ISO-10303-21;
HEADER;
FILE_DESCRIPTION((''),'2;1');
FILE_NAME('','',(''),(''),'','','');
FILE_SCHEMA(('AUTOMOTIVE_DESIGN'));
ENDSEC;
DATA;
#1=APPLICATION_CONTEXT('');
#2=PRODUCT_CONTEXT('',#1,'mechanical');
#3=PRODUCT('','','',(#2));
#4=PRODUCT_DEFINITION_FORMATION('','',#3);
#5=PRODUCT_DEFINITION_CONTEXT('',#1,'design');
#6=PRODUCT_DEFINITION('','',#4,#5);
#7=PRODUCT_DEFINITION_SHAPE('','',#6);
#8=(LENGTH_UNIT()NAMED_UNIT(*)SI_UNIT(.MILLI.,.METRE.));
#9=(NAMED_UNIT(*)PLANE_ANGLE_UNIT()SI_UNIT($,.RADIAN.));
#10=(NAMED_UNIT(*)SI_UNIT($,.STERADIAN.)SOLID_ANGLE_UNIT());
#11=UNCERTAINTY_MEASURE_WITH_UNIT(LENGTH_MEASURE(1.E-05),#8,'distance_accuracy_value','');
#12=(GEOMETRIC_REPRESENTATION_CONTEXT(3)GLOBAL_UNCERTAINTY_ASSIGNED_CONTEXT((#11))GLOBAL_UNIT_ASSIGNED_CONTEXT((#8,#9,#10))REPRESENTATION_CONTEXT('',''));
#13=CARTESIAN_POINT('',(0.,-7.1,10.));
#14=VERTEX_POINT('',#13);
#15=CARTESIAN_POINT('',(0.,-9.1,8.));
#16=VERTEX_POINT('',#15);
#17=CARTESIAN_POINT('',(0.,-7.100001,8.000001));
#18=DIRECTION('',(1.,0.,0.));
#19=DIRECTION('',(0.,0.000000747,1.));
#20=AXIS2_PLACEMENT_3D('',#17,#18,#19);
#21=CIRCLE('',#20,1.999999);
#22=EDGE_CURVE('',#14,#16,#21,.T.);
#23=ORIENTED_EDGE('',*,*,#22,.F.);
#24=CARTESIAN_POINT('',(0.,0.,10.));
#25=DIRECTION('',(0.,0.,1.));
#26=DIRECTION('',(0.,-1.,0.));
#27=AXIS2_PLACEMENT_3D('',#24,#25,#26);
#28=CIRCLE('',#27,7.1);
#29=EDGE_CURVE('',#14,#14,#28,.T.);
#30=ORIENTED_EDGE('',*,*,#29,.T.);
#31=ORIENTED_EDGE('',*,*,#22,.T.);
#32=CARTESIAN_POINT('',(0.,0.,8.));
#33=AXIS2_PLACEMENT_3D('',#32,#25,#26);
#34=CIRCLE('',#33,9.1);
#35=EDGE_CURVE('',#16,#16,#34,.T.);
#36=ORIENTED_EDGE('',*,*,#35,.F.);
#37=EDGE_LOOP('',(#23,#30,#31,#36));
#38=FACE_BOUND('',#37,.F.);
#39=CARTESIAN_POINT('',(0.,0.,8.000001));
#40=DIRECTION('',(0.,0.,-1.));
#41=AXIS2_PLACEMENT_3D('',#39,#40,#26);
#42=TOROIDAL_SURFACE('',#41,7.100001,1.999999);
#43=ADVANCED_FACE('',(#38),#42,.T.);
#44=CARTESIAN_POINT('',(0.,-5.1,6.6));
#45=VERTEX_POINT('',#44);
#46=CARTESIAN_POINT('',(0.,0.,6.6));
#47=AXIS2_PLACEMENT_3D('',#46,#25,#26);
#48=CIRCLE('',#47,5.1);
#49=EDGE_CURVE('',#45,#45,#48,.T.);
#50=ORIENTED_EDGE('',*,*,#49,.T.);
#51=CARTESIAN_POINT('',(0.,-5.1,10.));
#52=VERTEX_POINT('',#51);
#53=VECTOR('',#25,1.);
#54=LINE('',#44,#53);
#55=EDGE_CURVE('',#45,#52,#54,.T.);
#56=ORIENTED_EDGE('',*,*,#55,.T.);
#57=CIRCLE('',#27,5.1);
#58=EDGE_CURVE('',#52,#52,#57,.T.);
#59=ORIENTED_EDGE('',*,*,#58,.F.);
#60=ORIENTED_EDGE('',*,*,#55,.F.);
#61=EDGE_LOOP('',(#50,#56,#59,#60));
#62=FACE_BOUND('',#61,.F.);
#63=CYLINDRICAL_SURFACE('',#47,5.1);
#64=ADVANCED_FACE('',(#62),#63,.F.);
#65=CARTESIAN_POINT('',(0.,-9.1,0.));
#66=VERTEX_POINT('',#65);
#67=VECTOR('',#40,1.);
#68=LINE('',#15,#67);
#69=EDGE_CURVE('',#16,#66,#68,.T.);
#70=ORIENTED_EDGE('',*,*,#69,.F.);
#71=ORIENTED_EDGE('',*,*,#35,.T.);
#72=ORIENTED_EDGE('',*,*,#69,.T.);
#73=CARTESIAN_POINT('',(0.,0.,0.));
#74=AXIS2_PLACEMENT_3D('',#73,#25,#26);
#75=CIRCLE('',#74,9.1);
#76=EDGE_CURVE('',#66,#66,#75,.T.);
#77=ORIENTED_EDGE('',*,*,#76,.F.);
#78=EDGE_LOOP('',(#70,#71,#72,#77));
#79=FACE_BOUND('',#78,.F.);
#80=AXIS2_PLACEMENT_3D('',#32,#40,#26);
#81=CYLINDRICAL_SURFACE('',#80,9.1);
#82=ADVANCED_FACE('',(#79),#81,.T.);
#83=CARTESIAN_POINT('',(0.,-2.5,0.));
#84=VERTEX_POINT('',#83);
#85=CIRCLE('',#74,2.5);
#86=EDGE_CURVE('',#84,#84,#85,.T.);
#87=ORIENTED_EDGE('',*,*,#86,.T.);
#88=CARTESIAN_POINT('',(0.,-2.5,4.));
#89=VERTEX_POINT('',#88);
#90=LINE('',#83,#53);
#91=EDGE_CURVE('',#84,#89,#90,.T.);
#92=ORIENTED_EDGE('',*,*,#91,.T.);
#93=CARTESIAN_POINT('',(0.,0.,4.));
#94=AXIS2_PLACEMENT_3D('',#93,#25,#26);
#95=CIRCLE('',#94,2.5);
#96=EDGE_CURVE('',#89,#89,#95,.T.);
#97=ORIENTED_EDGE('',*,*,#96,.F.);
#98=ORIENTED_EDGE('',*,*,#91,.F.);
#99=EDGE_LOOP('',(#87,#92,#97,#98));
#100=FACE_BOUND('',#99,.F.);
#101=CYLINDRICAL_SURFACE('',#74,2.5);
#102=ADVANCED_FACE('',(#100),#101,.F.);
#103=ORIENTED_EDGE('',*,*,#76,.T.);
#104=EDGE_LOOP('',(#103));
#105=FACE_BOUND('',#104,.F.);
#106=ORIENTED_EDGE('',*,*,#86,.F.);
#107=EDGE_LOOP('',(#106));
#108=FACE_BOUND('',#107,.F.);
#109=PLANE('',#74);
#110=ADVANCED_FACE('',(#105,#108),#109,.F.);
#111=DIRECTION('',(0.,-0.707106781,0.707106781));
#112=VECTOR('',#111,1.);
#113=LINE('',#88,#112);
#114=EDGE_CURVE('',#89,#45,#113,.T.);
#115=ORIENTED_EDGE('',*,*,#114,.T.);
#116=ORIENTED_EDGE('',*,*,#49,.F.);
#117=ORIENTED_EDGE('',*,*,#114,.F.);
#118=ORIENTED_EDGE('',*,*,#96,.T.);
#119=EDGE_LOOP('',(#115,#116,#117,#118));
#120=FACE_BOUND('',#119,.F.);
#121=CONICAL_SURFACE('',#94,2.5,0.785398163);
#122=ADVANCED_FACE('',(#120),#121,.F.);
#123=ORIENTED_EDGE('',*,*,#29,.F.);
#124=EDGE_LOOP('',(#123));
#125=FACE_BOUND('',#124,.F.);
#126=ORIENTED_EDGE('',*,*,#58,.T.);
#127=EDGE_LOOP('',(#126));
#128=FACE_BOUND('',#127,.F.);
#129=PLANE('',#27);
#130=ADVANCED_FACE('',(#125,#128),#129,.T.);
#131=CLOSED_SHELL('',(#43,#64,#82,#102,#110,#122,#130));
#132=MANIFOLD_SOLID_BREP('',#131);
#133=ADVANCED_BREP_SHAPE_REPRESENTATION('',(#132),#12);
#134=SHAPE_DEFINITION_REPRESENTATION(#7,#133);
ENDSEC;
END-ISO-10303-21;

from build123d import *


with BuildPart() as f1:
    # F0 (on Right) → F1 (revolve)
    with BuildSketch(Plane.YZ):
        with BuildLine():
            Line((-9.1, 0), (-2.5, 0))
            Line((-2.5, 0), (-2.5, 4))
            Line((-2.5, 4), (-5.1, 6.6))
            Line((-5.1, 6.6), (-5.1, 10))
            Line((-5.1, 10), (-7.1, 10))
            ThreePointArc((-7.1, 10), (-8.514214, 9.414214), (-9.1, 8))
            Line((-9.1, 8), (-9.1, 0))
        make_face()
    revolve(axis=Axis((0, 0, 6.063), (0, 0, 1)))


solid = f1.part
